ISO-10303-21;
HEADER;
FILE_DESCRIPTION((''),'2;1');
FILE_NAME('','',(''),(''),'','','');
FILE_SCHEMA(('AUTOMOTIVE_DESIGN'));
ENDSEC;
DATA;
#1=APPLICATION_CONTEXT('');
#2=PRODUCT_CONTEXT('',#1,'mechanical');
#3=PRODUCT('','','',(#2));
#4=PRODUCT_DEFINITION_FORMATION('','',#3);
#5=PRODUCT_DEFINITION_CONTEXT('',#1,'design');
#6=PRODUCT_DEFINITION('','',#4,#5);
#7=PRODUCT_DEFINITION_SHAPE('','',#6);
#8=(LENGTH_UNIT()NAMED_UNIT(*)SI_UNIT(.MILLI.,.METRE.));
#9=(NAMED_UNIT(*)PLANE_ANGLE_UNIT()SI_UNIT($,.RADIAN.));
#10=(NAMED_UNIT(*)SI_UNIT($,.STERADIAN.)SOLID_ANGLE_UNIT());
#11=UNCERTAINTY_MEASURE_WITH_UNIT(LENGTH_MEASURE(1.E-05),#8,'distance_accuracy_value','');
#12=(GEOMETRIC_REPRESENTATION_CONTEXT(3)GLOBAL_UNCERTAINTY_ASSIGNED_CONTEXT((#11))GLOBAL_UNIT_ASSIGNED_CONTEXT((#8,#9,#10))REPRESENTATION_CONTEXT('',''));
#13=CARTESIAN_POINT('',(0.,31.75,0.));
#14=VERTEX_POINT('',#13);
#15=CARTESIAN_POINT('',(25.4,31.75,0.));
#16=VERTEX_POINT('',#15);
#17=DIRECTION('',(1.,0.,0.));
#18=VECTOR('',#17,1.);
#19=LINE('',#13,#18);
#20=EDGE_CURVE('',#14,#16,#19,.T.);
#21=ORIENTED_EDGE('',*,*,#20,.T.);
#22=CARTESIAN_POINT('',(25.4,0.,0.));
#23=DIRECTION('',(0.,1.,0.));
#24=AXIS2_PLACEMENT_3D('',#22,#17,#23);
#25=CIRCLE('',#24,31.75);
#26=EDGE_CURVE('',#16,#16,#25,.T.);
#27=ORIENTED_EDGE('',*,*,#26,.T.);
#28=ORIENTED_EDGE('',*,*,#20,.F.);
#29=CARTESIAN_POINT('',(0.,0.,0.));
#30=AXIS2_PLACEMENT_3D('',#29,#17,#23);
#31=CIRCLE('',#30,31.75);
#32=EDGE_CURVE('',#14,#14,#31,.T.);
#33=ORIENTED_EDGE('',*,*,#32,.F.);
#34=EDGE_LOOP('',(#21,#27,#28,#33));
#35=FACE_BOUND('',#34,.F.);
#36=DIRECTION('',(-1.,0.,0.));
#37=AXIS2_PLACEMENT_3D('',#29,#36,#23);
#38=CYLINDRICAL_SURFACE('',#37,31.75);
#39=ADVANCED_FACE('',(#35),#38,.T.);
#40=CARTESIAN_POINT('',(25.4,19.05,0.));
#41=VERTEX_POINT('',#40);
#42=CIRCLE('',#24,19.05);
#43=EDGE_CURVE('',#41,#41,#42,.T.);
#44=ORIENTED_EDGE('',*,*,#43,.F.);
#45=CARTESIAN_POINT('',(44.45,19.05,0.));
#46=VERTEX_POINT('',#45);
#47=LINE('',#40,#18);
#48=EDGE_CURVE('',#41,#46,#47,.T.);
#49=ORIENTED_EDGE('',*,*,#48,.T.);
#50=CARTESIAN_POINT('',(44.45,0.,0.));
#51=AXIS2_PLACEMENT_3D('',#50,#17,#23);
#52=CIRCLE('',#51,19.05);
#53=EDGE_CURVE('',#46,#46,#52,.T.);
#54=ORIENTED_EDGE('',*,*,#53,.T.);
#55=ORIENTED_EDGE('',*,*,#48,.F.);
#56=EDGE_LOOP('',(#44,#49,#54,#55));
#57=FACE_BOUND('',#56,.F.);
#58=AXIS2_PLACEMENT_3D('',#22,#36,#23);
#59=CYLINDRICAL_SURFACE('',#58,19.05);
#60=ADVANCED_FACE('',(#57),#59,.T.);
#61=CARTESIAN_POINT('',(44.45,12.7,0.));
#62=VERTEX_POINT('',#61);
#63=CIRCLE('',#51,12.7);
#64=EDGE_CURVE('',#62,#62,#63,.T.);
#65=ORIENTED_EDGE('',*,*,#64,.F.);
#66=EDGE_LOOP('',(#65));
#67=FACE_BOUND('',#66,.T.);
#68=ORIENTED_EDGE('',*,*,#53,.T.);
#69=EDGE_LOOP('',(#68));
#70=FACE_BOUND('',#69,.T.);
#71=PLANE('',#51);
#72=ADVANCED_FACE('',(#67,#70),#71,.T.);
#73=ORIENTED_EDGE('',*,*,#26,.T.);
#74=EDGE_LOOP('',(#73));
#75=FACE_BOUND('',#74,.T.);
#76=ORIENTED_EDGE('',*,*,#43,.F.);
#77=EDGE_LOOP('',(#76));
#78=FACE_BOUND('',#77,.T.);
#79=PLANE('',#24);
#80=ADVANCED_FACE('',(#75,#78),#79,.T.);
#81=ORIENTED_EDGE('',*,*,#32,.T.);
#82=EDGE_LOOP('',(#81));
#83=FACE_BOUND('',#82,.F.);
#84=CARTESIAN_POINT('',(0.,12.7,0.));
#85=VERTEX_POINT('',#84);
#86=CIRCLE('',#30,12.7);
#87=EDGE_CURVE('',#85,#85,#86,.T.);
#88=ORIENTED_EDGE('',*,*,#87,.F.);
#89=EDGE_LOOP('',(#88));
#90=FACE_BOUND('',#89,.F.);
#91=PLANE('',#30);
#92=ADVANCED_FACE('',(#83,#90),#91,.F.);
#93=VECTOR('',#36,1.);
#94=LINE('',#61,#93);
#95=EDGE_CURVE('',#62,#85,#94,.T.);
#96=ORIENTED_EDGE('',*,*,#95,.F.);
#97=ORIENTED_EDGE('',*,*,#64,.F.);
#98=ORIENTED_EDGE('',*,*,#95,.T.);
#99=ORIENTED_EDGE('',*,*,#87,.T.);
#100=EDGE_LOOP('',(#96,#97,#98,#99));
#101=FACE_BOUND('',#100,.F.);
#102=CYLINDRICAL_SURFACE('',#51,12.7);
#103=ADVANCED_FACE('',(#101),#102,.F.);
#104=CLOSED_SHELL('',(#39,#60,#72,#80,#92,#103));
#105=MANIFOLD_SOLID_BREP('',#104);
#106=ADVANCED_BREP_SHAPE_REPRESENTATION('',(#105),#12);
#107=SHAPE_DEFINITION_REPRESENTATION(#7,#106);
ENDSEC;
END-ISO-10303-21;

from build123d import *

# Parameters (mm, degrees)
F0_R     = 31.75
F1_DEPTH = 25.4
F2_R     = 19.05
F3_DEPTH = 19.05
F4_R     = 12.7
F5_DEPTH = 98.044


with BuildPart() as f1:
    # F0 (on Right) → F1 (new body)
    with BuildSketch(Plane.YZ):
        Circle(F0_R)
    extrude(amount=F1_DEPTH)

    # F2 (on face) → F3 (join)
    with BuildSketch(Plane.YZ.offset(25.4)):
        Circle(F2_R)
    extrude(amount=F3_DEPTH)

    # F4 (on face) → F5 (cut)
    with BuildSketch(Plane.YZ.offset(44.45)):
        Circle(F4_R)
    extrude(amount=-F5_DEPTH, mode=Mode.SUBTRACT)


solid = f1.part
